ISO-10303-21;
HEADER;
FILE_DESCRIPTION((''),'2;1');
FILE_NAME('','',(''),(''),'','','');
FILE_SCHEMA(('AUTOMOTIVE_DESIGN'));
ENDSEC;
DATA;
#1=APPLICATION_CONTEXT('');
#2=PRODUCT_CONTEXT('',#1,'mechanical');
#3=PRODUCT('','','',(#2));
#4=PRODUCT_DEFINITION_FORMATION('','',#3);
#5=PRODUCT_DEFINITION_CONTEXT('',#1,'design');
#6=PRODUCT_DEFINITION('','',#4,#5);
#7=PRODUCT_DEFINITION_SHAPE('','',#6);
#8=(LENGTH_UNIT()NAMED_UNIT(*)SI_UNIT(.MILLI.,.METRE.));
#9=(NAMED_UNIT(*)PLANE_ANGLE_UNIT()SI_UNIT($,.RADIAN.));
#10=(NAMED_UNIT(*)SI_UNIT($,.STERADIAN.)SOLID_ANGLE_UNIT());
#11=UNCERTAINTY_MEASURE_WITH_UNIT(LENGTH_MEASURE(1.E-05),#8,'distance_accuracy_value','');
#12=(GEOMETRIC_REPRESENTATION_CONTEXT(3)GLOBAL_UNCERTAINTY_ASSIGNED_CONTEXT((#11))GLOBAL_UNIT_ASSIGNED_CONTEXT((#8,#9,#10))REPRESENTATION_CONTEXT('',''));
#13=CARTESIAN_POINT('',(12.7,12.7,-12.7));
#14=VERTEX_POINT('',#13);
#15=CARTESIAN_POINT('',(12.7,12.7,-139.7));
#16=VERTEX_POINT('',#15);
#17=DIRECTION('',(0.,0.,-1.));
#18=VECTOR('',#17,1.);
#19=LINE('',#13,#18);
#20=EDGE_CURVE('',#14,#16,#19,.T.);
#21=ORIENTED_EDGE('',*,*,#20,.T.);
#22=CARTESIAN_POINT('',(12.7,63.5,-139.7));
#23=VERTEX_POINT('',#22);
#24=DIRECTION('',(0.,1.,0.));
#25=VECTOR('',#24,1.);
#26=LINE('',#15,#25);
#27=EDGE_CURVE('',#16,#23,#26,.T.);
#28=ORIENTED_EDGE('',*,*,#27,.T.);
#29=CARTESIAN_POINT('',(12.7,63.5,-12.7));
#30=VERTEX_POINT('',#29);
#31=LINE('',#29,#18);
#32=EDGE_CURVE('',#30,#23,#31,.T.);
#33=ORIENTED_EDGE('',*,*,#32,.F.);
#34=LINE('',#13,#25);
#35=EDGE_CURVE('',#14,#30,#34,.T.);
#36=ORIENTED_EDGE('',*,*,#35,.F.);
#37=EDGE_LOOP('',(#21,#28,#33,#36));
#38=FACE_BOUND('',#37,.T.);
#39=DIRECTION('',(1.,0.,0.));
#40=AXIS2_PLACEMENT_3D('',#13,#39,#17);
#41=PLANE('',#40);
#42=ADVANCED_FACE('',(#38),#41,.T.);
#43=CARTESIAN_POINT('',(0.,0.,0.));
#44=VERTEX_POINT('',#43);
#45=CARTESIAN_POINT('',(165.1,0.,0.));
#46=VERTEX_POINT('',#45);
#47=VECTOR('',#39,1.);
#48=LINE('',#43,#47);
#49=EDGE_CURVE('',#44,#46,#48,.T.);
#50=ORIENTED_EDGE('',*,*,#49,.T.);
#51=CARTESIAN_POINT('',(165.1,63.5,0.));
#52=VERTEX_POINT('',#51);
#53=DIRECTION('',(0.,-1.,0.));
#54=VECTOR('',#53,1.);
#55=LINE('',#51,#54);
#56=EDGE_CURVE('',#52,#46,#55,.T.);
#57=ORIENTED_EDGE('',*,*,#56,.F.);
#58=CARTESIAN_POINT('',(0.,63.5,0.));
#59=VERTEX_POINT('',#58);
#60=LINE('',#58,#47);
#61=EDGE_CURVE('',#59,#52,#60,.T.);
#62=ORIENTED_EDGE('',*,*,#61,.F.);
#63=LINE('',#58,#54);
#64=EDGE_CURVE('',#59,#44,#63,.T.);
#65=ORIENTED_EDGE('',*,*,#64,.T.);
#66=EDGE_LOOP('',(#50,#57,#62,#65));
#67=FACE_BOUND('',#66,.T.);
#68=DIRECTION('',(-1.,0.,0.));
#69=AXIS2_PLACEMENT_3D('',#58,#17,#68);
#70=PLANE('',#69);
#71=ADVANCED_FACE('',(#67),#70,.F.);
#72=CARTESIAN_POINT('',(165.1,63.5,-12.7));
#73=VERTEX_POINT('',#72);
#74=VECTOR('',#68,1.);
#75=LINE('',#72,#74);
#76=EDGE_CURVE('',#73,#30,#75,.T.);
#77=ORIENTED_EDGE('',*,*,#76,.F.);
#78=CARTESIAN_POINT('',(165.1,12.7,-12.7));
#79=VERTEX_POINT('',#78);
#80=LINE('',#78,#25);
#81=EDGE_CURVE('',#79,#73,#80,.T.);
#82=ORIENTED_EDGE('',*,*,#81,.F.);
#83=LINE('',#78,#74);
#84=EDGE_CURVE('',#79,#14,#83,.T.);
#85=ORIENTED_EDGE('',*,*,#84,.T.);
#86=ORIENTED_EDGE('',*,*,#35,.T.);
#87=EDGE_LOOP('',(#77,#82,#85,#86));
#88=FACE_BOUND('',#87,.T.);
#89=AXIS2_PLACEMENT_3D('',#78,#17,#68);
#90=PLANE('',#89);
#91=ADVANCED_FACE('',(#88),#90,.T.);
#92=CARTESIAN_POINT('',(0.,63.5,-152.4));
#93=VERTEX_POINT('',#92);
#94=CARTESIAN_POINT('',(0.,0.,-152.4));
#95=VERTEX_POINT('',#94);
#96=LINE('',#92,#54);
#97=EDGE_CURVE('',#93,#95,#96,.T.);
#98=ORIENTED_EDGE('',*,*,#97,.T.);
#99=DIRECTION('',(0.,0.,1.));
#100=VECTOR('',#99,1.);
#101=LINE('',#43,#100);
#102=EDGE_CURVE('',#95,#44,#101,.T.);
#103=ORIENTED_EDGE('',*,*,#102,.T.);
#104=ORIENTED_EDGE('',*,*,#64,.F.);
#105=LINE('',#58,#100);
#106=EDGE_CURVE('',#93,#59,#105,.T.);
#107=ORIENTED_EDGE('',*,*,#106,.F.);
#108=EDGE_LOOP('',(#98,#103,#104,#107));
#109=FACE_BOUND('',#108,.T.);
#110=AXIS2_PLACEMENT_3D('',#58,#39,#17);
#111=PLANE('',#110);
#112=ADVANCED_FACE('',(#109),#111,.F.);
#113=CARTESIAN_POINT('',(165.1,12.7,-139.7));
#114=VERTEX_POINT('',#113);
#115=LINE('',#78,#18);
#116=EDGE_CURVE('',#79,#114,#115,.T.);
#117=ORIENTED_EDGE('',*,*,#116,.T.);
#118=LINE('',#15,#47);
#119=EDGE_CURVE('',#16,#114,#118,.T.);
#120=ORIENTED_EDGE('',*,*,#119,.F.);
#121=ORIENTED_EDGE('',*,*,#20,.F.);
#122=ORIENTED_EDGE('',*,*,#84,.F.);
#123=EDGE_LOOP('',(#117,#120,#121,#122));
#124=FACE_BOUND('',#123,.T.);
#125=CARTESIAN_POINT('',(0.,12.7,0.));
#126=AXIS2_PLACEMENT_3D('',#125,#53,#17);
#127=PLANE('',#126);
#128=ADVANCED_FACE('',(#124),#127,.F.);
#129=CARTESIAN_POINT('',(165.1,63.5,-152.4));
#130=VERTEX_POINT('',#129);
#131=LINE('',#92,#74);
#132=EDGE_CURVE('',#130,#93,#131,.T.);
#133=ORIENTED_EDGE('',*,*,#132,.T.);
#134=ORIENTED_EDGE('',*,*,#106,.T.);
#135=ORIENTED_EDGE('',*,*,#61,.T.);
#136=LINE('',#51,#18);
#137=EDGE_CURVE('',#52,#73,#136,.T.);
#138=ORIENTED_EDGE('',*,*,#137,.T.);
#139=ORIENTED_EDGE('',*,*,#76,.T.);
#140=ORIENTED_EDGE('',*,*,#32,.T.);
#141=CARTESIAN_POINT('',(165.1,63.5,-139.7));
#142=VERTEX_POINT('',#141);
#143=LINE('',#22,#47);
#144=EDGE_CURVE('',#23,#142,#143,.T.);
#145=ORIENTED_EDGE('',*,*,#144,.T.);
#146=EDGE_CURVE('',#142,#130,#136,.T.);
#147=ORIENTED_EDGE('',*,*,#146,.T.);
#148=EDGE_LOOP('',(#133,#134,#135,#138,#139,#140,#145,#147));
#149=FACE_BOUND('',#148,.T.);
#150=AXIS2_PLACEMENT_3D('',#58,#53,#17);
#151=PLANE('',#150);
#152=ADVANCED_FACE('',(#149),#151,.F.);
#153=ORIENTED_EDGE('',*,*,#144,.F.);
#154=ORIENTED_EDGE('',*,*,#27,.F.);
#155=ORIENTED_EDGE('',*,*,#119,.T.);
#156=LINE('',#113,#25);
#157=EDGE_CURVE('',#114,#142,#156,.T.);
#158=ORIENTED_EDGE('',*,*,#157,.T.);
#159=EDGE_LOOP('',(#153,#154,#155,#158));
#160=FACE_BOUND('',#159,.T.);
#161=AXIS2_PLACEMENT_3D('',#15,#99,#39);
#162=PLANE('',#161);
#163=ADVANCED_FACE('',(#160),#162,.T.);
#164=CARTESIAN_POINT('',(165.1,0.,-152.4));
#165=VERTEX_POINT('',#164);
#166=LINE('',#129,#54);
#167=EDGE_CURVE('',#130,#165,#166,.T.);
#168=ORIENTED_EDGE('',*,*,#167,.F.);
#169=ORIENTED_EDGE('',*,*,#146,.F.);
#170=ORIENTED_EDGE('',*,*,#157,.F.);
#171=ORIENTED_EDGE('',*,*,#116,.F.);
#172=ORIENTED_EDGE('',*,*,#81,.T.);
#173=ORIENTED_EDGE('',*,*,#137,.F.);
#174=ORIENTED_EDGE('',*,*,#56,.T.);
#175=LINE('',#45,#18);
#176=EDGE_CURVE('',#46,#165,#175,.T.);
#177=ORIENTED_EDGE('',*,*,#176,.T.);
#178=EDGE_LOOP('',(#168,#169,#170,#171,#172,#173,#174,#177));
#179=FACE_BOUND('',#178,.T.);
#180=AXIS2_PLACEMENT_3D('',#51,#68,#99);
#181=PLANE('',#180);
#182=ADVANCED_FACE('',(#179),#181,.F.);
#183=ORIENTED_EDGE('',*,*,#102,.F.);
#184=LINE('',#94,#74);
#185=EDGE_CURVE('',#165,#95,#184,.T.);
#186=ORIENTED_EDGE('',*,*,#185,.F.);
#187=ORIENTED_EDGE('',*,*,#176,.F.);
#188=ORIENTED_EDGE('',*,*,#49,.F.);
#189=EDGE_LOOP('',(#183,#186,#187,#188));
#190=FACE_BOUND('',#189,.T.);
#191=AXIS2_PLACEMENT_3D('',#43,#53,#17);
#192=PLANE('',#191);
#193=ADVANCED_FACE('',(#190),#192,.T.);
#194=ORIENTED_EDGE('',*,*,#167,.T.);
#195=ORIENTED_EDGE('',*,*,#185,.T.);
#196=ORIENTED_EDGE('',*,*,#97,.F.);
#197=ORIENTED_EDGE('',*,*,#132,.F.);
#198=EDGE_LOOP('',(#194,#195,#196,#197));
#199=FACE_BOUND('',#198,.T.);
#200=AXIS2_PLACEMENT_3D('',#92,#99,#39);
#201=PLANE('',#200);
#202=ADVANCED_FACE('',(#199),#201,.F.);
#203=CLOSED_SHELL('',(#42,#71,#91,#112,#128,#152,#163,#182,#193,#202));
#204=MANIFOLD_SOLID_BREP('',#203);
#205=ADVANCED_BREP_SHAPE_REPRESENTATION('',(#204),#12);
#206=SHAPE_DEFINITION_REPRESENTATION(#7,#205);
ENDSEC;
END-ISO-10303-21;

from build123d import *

# Parameters (mm, degrees)
SKETCH1_W           = 165.1
SKETCH1_H           = 152.4
BOSS_EXTRUDE1_DEPTH = 63.5
SKETCH2_W           = 152.4
SKETCH2_H           = 127
CUT_EXTRUDE1_DEPTH  = 50.8


with BuildPart() as part:
    # Sketch1 → Boss-Extrude1 (new body)
    with BuildSketch(Plane(origin=(0, 0, 0), x_dir=(1, 0, 0), z_dir=(0, 1, 0))):
        with Locations((82.55, 76.2)):
            Rectangle(SKETCH1_W, SKETCH1_H)
    extrude(amount=BOSS_EXTRUDE1_DEPTH)

    # Sketch2 → Cut-Extrude1 (cut)
    with BuildSketch(Plane(origin=(0, 63.5, 0), x_dir=(1, 0, 0), z_dir=(0, 1, 0))):
        with Locations((88.9, 76.2)):
            Rectangle(SKETCH2_W, SKETCH2_H)
    extrude(amount=-CUT_EXTRUDE1_DEPTH, mode=Mode.SUBTRACT)


solid = part.part
